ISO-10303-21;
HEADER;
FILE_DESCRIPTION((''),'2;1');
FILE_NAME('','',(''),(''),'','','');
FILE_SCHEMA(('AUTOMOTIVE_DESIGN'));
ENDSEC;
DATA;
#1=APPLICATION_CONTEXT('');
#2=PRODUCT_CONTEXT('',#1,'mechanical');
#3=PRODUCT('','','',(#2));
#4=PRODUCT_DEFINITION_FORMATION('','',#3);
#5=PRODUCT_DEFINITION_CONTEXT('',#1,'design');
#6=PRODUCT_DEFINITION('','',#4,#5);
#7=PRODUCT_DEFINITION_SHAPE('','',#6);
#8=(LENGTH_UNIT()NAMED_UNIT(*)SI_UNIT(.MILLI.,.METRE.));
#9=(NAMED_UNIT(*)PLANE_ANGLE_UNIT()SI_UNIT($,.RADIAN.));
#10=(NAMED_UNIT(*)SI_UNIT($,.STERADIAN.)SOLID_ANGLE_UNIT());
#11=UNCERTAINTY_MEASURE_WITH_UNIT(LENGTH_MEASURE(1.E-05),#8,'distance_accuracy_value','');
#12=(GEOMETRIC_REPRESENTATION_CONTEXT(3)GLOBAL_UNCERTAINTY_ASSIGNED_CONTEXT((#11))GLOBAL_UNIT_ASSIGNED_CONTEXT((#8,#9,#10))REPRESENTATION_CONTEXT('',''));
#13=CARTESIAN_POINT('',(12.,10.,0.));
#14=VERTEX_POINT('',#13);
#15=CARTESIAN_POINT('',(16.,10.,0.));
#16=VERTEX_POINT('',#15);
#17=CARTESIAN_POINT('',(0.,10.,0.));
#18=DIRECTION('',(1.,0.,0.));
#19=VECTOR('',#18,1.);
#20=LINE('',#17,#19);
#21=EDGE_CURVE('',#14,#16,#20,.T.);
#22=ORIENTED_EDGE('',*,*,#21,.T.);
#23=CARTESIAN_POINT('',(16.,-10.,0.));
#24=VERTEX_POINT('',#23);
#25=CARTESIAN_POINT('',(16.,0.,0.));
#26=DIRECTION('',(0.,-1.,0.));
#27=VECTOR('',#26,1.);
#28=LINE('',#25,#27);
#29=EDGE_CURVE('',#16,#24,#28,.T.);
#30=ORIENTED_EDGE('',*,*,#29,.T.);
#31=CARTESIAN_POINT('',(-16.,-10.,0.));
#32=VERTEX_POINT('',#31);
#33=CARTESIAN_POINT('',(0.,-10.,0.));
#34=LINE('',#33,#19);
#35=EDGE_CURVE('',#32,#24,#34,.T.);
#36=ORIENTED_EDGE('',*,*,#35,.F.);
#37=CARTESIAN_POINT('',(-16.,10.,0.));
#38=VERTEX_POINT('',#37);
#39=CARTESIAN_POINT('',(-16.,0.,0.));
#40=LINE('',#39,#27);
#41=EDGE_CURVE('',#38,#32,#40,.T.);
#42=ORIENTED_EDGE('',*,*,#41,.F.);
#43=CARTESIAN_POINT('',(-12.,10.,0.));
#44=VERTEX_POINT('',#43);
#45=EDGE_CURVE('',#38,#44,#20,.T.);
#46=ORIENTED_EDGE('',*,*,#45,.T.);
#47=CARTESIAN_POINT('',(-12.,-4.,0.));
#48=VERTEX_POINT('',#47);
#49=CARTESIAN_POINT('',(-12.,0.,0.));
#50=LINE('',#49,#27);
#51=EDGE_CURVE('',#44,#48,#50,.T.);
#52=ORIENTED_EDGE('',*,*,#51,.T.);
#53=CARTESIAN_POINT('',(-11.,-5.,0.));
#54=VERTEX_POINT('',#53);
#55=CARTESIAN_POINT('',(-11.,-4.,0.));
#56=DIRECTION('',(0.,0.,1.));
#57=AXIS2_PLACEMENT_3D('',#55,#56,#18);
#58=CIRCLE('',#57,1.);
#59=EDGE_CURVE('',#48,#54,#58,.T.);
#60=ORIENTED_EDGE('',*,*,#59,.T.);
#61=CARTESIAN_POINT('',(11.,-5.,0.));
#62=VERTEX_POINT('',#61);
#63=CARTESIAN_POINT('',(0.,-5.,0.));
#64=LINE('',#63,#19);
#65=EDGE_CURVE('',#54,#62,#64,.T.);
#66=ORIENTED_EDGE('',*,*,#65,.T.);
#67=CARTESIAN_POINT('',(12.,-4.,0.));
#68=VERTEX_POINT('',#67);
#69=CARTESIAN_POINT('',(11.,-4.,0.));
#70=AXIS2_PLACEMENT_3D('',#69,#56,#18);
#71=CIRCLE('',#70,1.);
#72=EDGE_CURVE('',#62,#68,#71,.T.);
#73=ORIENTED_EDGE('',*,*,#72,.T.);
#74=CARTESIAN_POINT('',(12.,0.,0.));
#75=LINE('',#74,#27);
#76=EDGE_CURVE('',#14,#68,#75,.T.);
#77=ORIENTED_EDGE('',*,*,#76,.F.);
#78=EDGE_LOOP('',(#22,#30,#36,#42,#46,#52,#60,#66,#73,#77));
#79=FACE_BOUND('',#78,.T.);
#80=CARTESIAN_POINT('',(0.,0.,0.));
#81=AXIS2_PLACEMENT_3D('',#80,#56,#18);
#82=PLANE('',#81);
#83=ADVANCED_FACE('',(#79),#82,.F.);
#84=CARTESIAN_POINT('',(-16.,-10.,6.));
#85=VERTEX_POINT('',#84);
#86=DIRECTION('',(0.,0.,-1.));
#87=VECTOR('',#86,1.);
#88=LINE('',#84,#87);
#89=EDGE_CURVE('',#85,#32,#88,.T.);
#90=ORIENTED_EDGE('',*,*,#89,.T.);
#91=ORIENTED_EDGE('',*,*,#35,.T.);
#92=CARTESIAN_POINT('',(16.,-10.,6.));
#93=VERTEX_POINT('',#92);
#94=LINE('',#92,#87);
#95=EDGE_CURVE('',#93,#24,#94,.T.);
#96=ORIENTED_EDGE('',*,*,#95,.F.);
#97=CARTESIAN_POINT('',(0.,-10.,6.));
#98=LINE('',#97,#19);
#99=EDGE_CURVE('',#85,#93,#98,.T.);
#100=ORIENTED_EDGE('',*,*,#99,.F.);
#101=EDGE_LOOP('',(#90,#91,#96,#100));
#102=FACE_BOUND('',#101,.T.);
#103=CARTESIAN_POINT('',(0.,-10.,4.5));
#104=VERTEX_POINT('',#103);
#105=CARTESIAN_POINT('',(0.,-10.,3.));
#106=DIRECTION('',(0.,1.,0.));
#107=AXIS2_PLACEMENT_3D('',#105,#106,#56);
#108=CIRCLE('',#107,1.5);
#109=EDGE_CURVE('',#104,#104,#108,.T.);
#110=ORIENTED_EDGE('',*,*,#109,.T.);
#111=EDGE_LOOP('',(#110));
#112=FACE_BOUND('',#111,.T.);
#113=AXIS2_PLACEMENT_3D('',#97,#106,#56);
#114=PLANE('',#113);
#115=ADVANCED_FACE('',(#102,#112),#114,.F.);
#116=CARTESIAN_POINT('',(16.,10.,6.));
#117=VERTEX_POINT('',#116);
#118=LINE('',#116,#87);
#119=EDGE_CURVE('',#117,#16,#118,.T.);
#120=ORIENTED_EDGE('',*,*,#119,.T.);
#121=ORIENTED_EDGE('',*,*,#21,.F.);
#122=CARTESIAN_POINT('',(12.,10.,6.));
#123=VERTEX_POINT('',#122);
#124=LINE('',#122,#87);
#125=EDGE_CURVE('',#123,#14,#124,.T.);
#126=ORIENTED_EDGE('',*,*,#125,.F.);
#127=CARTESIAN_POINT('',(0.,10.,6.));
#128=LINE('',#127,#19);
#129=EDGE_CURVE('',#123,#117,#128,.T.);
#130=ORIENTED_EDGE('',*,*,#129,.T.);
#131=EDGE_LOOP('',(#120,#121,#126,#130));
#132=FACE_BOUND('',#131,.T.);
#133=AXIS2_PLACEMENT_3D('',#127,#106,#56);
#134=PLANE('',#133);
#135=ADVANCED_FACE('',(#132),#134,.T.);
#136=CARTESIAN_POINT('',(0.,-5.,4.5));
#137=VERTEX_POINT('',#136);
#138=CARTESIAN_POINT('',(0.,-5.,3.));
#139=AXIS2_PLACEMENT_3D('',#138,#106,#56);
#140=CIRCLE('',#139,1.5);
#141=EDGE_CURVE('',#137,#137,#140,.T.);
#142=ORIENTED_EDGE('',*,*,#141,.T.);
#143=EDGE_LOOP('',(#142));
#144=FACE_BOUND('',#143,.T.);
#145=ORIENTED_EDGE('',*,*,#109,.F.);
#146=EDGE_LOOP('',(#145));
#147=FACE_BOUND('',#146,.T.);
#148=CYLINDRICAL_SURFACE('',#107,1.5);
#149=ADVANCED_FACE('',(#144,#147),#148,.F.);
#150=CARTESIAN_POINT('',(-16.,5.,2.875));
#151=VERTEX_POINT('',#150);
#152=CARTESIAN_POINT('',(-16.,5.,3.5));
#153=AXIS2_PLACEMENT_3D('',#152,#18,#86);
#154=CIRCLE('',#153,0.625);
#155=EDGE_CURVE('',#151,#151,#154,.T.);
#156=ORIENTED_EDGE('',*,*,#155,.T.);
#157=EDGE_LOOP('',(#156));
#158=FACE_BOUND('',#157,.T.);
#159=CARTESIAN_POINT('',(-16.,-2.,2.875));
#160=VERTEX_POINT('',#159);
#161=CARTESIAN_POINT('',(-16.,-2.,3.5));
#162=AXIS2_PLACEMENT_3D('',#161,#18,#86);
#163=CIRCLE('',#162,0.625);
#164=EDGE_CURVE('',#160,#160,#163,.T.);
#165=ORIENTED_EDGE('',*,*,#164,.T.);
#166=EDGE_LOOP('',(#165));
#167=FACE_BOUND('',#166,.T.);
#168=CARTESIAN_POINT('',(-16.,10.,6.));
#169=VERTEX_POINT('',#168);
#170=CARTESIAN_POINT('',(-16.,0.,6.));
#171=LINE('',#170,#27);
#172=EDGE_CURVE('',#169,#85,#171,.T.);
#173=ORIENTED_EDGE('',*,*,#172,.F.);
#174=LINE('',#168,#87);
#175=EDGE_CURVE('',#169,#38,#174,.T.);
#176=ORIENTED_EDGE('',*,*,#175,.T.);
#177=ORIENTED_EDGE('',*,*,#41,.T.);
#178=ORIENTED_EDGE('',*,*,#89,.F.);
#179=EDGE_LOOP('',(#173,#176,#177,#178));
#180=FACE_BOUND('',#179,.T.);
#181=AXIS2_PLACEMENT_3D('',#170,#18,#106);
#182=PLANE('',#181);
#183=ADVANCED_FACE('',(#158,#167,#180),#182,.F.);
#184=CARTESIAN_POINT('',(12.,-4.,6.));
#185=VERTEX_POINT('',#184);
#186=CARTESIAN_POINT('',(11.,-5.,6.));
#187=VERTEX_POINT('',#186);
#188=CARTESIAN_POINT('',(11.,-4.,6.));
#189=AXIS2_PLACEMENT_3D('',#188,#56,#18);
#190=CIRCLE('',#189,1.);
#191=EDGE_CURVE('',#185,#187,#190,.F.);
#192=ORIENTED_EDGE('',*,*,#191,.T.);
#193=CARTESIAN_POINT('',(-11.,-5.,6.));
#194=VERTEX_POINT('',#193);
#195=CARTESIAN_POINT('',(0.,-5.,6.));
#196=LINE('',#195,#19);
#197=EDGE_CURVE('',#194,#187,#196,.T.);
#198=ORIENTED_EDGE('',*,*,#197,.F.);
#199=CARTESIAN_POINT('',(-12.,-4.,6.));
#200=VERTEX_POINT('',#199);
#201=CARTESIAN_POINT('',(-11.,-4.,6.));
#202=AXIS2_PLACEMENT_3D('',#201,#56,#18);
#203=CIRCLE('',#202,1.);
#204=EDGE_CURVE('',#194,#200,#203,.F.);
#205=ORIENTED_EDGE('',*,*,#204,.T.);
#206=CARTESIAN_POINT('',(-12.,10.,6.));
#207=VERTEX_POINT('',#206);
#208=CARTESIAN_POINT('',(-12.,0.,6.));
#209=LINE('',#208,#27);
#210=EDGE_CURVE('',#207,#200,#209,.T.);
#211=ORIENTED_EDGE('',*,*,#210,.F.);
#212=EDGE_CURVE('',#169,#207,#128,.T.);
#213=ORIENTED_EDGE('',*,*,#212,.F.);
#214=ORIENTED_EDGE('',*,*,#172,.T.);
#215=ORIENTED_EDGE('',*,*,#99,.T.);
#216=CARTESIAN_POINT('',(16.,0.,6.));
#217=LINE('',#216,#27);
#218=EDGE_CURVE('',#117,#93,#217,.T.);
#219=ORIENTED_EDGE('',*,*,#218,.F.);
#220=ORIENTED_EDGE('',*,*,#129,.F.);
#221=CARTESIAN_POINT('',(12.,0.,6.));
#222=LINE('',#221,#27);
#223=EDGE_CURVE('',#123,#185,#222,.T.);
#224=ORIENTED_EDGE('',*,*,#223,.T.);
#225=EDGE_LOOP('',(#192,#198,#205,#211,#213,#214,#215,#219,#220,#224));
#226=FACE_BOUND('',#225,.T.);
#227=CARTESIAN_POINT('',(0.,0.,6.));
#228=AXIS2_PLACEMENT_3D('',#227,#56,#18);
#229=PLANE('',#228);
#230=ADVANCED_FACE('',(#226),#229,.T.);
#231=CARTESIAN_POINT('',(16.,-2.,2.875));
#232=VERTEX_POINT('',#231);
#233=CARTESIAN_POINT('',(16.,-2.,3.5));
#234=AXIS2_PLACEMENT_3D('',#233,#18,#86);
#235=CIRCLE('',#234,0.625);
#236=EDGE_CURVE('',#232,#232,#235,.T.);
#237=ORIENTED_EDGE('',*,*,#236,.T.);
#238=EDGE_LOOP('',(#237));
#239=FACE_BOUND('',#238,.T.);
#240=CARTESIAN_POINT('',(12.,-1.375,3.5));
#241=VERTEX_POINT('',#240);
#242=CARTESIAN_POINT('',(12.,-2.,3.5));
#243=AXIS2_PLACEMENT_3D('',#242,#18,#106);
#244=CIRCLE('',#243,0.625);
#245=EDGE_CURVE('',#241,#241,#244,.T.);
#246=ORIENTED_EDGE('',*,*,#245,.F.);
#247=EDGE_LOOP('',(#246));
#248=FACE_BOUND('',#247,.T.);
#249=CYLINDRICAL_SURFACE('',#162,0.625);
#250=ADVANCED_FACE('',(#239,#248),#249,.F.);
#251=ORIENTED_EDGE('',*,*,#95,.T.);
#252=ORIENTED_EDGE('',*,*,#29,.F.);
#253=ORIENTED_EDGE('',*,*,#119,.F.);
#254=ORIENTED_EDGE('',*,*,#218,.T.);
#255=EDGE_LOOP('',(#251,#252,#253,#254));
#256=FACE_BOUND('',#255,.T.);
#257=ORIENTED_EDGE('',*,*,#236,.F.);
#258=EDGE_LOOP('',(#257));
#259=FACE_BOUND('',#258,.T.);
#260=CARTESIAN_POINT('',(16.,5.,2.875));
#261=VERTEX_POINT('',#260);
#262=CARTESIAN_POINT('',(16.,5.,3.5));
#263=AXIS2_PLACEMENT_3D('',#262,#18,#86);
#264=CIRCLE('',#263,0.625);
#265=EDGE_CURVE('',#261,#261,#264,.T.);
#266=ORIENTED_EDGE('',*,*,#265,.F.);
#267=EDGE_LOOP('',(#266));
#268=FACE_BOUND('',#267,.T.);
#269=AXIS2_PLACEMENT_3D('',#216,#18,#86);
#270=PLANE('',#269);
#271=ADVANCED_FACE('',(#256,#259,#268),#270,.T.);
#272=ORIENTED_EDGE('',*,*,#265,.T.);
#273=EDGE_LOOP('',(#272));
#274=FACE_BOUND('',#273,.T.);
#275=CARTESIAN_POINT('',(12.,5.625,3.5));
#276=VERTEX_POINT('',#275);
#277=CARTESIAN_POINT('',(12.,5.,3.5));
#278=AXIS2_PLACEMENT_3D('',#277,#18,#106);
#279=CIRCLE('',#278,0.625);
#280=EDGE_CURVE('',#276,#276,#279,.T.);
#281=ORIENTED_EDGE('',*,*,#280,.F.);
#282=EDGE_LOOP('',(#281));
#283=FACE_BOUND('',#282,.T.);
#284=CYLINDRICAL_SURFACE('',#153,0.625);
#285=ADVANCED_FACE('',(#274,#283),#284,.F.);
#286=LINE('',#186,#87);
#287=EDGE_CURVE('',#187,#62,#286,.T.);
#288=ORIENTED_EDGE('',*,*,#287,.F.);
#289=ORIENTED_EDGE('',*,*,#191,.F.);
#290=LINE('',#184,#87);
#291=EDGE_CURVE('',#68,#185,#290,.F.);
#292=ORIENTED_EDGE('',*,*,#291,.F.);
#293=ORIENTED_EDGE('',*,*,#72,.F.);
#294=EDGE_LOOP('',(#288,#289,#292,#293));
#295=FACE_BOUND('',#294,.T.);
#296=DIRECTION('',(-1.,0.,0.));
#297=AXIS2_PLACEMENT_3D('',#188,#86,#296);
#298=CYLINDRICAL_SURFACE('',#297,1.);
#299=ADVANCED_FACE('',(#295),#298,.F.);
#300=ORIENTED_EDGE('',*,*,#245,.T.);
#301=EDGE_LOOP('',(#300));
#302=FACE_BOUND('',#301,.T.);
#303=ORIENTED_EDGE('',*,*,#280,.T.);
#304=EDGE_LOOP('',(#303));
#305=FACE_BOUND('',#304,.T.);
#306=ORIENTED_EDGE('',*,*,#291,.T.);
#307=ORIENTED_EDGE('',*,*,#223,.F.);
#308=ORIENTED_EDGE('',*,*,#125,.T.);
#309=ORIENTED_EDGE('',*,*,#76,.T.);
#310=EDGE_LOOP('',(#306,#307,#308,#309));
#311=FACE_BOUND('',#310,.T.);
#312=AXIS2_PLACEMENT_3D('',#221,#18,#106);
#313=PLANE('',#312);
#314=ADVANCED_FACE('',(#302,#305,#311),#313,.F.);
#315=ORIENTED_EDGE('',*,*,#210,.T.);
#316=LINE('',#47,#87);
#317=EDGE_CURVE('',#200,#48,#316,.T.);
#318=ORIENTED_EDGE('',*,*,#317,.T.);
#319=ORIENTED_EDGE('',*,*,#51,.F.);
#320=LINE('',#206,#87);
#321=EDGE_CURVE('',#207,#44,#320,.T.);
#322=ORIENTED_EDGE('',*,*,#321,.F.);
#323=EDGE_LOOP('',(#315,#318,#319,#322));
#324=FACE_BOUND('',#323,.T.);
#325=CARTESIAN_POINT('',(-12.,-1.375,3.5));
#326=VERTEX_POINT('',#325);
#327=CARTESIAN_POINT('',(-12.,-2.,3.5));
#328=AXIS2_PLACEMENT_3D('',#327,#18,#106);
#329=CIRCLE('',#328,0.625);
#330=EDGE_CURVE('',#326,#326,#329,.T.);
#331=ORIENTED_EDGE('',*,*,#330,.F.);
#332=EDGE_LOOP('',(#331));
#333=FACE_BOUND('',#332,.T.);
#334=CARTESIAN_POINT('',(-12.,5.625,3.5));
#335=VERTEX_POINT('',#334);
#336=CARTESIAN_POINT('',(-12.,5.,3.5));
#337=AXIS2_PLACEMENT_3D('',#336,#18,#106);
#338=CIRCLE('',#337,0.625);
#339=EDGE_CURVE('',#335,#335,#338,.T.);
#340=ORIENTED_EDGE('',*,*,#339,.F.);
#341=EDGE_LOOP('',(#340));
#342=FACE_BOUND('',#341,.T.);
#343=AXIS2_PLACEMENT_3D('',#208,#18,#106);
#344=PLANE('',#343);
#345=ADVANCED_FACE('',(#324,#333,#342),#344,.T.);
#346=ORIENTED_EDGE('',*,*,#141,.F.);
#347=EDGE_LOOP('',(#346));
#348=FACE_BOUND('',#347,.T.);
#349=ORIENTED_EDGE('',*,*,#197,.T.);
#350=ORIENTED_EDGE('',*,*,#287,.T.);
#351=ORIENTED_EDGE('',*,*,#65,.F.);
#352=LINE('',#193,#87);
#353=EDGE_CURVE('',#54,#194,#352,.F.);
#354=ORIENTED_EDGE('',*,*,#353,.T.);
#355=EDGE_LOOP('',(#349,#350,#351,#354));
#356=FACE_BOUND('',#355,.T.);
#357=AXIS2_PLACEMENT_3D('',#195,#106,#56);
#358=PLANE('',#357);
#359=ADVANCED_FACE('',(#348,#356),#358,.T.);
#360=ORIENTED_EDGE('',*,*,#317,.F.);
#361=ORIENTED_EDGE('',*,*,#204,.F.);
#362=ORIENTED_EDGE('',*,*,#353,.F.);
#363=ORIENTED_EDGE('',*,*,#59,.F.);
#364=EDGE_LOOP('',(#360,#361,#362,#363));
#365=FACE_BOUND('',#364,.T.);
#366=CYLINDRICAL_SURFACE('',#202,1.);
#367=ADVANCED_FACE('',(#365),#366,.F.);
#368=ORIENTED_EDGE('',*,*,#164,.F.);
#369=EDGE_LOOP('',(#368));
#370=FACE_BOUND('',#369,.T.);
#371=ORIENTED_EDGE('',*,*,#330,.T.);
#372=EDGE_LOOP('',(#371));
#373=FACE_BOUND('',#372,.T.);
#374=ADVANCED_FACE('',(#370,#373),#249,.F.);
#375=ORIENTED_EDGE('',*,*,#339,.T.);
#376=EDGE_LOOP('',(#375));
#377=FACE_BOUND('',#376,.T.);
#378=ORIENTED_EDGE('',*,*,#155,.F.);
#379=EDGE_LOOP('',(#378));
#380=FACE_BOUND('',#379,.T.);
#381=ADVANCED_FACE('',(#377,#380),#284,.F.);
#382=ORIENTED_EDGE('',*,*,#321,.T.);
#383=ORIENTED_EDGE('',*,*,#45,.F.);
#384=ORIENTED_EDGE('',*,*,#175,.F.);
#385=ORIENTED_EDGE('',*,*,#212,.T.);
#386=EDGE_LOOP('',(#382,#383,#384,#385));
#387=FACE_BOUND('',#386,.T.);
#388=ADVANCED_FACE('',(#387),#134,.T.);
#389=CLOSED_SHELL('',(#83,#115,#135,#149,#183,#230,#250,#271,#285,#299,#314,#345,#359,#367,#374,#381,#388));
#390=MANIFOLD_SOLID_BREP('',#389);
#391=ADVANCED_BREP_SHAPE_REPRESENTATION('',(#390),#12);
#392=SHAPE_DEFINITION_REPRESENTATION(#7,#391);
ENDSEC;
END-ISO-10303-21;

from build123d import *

# Parameters (mm, degrees)
BOSS_EXTRU_1_DEPTH      = 6
ESQUISSE2_R             = 1.5
ENL_V_MAT_EXTRU_1_DEPTH = 5
ESQUISSE3_R             = 0.625
ENL_V_MAT_EXTRU_2_DEPTH = 35.058772732
CONG_2_R                = 1
CONG_3_R                = 1


with BuildPart() as part:
    # Esquisse1 → Boss.-Extru.1 (new body)
    with BuildSketch(Plane.XY):
        Polygon((-12, 10), (-16, 10), (-16, -10), (16, -10), (16, 10), (12, 10), (12, -5), (-12, -5), align=None)
    extrude(amount=BOSS_EXTRU_1_DEPTH)

    # Esquisse2 → Enlèv. mat.-Extru.1 (cut)
    with BuildSketch(Plane(origin=(0, -5, 0), x_dir=(1, 0, 0), z_dir=(0, 1, 0))):
        with Locations(Location((0, -3, 0), (0, 0, 270))):
            Circle(ESQUISSE2_R)
    extrude(amount=-ENL_V_MAT_EXTRU_1_DEPTH, mode=Mode.SUBTRACT)

    # Esquisse3 → Enlèv. mat.-Extru.2 (cut, through all)
    with BuildSketch(Plane(origin=(16, 0, 0), x_dir=(0, 0, -1), z_dir=(1, 0, 0))):
        with Locations((-3.5, 5)):
            Circle(ESQUISSE3_R)
        with Locations((-3.5, -2)):
            Circle(ESQUISSE3_R)
    extrude(amount=-ENL_V_MAT_EXTRU_2_DEPTH, mode=Mode.SUBTRACT)

    # Congé2
    cong_2_edges = [part.edges().sort_by_distance(p)[0] for p in [
        (-12, -5, 3),
    ]]
    fillet(cong_2_edges, radius=CONG_2_R)

    # Congé3
    cong_3_edges = [part.edges().sort_by_distance(p)[0] for p in [
        (12, -5, 3),
    ]]
    fillet(cong_3_edges, radius=CONG_3_R)


solid = part.part
